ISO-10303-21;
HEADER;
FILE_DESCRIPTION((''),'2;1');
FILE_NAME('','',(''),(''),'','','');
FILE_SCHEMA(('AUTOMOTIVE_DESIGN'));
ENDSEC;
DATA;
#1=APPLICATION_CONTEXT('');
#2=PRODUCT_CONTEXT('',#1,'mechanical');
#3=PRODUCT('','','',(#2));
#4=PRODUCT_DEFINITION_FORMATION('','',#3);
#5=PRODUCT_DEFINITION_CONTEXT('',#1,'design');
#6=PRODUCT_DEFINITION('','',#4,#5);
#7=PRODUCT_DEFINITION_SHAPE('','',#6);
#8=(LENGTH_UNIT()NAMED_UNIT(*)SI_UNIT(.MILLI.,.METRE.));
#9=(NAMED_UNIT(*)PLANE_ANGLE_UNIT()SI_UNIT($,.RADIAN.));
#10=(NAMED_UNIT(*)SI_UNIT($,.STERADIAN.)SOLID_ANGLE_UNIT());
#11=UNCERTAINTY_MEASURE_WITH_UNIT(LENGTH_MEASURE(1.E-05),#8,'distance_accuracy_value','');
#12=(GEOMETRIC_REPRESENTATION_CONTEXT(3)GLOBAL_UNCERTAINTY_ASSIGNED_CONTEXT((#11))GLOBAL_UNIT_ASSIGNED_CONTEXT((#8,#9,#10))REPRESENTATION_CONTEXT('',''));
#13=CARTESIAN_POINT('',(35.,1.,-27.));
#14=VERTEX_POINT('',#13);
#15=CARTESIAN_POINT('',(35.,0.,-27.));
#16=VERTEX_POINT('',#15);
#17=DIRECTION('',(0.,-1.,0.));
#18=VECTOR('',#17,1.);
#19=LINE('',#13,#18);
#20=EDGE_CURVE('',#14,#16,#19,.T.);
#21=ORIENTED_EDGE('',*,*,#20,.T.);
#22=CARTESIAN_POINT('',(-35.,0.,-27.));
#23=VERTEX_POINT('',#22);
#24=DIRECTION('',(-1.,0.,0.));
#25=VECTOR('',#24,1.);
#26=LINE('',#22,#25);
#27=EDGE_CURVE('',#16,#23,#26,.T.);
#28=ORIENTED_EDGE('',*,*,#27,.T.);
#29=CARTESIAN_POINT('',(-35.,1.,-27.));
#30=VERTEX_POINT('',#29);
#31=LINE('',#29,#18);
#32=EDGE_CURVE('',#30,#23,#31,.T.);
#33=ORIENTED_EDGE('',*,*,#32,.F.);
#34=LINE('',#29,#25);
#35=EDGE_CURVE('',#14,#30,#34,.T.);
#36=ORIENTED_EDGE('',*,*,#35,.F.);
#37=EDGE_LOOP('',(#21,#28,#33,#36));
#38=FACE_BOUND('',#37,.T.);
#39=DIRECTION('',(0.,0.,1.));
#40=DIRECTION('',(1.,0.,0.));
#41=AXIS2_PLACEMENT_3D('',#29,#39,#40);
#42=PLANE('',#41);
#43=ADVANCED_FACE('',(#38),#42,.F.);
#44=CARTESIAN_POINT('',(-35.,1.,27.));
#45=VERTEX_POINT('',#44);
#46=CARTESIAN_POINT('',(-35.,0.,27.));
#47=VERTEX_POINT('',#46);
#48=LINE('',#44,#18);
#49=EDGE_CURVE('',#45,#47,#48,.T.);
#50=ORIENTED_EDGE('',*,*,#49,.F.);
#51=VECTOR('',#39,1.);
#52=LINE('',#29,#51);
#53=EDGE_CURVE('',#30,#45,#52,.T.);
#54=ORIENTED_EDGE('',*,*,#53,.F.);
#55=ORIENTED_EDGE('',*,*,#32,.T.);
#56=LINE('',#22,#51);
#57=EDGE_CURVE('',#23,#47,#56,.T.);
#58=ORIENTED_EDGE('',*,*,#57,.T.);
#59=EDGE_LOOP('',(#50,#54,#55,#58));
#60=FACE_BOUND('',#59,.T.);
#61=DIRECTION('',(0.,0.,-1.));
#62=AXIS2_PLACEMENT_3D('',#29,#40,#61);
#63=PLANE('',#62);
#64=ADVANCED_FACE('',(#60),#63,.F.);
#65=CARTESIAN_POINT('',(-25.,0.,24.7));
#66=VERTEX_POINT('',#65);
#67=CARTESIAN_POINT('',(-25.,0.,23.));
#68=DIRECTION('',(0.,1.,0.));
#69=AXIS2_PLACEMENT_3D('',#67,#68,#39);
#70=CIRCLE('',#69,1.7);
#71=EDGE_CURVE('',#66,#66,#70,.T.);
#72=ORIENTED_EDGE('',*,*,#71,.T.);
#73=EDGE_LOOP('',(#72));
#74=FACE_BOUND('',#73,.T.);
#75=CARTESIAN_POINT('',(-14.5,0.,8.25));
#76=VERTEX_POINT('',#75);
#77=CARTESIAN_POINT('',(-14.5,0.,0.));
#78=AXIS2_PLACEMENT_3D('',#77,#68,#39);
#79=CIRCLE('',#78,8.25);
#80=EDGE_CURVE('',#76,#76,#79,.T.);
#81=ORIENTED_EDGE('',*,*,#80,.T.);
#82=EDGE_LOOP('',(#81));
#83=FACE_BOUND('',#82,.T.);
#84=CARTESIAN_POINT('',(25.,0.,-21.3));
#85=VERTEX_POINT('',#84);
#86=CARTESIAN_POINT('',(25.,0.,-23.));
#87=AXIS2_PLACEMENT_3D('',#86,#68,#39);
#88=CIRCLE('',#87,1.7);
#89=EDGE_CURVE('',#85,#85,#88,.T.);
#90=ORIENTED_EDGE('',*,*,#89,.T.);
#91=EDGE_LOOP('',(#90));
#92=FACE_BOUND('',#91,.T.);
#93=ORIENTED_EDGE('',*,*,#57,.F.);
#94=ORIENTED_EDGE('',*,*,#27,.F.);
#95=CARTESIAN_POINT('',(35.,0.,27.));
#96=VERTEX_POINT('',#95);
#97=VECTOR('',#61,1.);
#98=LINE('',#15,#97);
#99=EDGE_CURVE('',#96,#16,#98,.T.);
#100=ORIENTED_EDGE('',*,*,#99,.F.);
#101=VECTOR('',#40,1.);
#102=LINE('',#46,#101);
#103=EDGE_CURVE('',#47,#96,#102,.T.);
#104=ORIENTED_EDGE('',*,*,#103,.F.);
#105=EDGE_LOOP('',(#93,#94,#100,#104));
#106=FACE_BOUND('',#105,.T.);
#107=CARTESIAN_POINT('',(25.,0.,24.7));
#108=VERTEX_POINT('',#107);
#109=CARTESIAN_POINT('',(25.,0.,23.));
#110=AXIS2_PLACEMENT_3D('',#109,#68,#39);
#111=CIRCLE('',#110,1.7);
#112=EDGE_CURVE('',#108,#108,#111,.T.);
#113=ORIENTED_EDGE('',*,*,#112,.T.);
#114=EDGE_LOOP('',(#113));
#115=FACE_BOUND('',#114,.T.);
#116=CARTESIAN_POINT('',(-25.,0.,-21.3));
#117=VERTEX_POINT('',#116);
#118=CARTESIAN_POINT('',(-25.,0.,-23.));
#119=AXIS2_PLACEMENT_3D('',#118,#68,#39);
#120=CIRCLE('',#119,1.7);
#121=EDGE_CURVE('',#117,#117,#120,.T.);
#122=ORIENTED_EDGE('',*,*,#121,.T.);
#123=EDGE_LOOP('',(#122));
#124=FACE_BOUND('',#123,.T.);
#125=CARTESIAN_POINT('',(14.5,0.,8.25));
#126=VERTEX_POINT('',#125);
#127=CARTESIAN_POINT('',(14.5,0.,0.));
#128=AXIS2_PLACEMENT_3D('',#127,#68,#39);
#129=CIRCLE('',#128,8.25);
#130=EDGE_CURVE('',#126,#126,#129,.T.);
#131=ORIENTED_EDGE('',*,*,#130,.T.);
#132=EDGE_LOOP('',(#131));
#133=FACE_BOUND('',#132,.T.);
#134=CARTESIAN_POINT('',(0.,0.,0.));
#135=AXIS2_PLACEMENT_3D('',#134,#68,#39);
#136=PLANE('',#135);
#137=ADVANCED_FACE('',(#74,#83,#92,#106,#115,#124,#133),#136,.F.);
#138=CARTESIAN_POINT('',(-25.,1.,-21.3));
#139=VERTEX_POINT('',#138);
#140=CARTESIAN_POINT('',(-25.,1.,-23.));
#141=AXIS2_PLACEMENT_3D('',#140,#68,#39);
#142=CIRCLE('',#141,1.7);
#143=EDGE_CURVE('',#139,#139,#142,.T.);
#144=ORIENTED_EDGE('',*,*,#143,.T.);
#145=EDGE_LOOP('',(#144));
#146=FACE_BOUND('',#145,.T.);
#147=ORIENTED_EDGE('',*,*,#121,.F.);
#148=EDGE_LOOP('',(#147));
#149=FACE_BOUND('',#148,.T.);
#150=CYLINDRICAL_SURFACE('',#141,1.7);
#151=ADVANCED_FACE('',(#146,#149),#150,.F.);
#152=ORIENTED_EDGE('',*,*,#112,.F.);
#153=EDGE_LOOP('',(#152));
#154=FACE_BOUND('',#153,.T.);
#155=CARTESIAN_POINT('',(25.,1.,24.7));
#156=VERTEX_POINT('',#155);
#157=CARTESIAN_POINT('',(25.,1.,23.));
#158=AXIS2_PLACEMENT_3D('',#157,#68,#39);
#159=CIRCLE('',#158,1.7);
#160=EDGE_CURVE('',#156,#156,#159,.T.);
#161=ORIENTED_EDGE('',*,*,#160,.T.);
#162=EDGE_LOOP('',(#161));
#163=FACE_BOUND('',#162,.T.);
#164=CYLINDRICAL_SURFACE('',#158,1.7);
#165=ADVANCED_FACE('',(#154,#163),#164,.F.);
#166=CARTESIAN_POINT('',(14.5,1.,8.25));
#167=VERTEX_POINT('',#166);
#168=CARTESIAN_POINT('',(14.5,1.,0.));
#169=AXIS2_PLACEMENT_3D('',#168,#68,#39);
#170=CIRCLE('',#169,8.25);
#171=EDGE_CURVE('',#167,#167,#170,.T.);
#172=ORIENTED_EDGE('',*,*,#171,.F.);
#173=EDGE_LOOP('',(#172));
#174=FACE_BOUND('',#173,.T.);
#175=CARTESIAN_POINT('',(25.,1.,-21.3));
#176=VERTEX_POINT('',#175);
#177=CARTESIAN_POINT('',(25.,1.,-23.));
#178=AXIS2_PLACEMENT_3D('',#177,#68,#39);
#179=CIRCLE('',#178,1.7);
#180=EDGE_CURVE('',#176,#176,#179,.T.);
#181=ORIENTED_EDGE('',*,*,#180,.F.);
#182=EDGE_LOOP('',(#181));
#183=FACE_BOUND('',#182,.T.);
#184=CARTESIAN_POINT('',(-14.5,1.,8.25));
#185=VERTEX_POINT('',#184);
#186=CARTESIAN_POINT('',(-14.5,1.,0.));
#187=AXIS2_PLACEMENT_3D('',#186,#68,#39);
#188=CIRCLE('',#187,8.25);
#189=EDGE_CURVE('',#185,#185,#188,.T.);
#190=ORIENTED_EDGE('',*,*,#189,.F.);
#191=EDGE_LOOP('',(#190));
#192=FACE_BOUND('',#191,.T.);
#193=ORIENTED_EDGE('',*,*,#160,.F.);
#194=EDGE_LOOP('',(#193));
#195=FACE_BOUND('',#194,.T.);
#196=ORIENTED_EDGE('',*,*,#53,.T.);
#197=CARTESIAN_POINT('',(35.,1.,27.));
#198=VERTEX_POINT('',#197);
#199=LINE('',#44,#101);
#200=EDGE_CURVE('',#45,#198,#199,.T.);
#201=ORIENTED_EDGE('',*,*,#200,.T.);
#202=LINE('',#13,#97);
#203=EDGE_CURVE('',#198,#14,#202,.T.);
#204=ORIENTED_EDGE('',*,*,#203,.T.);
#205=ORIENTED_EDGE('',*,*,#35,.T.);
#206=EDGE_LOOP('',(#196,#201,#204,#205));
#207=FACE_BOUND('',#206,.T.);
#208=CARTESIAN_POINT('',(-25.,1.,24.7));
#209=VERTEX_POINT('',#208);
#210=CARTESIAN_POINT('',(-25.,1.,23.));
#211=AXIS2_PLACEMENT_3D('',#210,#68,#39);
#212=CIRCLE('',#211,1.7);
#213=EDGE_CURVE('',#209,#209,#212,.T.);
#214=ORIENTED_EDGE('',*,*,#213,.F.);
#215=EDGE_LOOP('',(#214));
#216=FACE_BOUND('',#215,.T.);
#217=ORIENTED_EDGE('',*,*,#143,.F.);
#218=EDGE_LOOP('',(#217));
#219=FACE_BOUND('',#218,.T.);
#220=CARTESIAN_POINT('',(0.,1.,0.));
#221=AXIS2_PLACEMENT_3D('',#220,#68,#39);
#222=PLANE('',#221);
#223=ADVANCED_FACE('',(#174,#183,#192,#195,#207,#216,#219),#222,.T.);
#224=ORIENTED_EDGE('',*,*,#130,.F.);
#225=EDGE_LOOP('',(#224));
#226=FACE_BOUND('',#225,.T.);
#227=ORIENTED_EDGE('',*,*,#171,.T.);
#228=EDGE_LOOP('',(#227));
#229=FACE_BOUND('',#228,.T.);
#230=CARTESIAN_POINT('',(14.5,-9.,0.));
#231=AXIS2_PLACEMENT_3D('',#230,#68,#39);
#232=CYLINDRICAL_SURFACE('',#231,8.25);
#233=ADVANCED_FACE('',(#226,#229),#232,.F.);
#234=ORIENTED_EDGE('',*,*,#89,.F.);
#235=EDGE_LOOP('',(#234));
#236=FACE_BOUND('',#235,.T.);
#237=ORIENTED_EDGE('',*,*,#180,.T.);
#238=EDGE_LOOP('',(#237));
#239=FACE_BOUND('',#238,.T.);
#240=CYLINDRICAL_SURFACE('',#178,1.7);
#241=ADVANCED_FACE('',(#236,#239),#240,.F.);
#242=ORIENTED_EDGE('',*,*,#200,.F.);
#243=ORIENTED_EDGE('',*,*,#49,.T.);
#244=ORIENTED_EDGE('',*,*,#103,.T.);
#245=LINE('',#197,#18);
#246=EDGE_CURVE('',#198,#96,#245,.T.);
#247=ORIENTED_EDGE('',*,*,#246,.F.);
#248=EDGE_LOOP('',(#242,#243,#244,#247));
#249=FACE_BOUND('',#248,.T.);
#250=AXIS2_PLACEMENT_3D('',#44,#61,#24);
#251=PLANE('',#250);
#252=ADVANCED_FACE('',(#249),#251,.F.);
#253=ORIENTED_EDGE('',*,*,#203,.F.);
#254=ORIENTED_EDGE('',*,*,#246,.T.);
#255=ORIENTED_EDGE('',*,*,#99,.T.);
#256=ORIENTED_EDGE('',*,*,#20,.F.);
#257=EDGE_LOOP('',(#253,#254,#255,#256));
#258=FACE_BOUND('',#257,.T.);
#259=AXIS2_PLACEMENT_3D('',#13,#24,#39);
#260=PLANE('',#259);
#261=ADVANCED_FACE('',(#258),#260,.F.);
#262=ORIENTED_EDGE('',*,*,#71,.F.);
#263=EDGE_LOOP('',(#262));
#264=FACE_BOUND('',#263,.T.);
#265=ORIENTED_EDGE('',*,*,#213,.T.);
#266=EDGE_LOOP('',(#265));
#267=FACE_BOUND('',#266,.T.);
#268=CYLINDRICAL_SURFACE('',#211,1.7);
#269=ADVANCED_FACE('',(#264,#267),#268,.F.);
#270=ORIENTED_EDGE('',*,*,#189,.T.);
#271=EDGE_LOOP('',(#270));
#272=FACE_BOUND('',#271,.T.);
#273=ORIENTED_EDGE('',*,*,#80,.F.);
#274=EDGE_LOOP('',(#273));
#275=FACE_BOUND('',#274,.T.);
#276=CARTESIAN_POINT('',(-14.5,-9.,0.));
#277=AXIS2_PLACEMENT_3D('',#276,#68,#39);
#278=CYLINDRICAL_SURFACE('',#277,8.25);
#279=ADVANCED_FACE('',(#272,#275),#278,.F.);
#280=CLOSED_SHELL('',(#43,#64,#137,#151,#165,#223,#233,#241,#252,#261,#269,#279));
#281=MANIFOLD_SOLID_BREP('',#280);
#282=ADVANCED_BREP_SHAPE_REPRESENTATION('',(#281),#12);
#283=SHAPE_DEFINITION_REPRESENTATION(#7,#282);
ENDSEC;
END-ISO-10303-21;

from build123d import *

# Parameters (mm, degrees)
ESQUISSE1_W             = 70
ESQUISSE1_H             = 54
BOSS_EXTRU_1_DEPTH      = 1
ESQUISSE2_R             = 8.25
ENL_V_MAT_EXTRU_1_DEPTH = 10
ESQUISSE4_R             = 8.25
ENL_V_MAT_EXTRU_3_DEPTH = 10
M3_CLEARANCE_HOLE1_D    = 3.4


with BuildPart() as part:
    # Esquisse1 → Boss.-Extru.1 (new body)
    with BuildSketch(Plane(origin=(0, 0, 0), x_dir=(1, 0, 0), z_dir=(0, 1, 0))):
        Rectangle(ESQUISSE1_W, ESQUISSE1_H)
    extrude(amount=BOSS_EXTRU_1_DEPTH)

    # Esquisse2 → Enlèv. mat.-Extru.1 (cut)
    with BuildSketch(Plane(origin=(0, 1, 0), x_dir=(1, 0, 0), z_dir=(0, 1, 0))):
        with Locations(Location((-14.5, 0, 0), (0, 0, 270))):
            Circle(ESQUISSE2_R)
    extrude(amount=-ENL_V_MAT_EXTRU_1_DEPTH, mode=Mode.SUBTRACT)

    # Esquisse4 → Enlèv. mat.-Extru.3 (cut)
    with BuildSketch(Plane(origin=(0, 1, 0), x_dir=(1, 0, 0), z_dir=(0, 1, 0))):
        with Locations(Location((14.5, 0, 0), (0, 0, 270))):
            Circle(ESQUISSE4_R)
    extrude(amount=-ENL_V_MAT_EXTRU_3_DEPTH, mode=Mode.SUBTRACT)

    # M3 Clearance Hole1 (through all)
    with Locations(Plane(origin=(0, 1, 0), x_dir=(1, 0, 0), z_dir=(0, 1, 0))):
        with Locations((-25, -23), (25, -23), (25, 23), (-25, 23)):
            Hole(M3_CLEARANCE_HOLE1_D / 2)


solid = part.part
